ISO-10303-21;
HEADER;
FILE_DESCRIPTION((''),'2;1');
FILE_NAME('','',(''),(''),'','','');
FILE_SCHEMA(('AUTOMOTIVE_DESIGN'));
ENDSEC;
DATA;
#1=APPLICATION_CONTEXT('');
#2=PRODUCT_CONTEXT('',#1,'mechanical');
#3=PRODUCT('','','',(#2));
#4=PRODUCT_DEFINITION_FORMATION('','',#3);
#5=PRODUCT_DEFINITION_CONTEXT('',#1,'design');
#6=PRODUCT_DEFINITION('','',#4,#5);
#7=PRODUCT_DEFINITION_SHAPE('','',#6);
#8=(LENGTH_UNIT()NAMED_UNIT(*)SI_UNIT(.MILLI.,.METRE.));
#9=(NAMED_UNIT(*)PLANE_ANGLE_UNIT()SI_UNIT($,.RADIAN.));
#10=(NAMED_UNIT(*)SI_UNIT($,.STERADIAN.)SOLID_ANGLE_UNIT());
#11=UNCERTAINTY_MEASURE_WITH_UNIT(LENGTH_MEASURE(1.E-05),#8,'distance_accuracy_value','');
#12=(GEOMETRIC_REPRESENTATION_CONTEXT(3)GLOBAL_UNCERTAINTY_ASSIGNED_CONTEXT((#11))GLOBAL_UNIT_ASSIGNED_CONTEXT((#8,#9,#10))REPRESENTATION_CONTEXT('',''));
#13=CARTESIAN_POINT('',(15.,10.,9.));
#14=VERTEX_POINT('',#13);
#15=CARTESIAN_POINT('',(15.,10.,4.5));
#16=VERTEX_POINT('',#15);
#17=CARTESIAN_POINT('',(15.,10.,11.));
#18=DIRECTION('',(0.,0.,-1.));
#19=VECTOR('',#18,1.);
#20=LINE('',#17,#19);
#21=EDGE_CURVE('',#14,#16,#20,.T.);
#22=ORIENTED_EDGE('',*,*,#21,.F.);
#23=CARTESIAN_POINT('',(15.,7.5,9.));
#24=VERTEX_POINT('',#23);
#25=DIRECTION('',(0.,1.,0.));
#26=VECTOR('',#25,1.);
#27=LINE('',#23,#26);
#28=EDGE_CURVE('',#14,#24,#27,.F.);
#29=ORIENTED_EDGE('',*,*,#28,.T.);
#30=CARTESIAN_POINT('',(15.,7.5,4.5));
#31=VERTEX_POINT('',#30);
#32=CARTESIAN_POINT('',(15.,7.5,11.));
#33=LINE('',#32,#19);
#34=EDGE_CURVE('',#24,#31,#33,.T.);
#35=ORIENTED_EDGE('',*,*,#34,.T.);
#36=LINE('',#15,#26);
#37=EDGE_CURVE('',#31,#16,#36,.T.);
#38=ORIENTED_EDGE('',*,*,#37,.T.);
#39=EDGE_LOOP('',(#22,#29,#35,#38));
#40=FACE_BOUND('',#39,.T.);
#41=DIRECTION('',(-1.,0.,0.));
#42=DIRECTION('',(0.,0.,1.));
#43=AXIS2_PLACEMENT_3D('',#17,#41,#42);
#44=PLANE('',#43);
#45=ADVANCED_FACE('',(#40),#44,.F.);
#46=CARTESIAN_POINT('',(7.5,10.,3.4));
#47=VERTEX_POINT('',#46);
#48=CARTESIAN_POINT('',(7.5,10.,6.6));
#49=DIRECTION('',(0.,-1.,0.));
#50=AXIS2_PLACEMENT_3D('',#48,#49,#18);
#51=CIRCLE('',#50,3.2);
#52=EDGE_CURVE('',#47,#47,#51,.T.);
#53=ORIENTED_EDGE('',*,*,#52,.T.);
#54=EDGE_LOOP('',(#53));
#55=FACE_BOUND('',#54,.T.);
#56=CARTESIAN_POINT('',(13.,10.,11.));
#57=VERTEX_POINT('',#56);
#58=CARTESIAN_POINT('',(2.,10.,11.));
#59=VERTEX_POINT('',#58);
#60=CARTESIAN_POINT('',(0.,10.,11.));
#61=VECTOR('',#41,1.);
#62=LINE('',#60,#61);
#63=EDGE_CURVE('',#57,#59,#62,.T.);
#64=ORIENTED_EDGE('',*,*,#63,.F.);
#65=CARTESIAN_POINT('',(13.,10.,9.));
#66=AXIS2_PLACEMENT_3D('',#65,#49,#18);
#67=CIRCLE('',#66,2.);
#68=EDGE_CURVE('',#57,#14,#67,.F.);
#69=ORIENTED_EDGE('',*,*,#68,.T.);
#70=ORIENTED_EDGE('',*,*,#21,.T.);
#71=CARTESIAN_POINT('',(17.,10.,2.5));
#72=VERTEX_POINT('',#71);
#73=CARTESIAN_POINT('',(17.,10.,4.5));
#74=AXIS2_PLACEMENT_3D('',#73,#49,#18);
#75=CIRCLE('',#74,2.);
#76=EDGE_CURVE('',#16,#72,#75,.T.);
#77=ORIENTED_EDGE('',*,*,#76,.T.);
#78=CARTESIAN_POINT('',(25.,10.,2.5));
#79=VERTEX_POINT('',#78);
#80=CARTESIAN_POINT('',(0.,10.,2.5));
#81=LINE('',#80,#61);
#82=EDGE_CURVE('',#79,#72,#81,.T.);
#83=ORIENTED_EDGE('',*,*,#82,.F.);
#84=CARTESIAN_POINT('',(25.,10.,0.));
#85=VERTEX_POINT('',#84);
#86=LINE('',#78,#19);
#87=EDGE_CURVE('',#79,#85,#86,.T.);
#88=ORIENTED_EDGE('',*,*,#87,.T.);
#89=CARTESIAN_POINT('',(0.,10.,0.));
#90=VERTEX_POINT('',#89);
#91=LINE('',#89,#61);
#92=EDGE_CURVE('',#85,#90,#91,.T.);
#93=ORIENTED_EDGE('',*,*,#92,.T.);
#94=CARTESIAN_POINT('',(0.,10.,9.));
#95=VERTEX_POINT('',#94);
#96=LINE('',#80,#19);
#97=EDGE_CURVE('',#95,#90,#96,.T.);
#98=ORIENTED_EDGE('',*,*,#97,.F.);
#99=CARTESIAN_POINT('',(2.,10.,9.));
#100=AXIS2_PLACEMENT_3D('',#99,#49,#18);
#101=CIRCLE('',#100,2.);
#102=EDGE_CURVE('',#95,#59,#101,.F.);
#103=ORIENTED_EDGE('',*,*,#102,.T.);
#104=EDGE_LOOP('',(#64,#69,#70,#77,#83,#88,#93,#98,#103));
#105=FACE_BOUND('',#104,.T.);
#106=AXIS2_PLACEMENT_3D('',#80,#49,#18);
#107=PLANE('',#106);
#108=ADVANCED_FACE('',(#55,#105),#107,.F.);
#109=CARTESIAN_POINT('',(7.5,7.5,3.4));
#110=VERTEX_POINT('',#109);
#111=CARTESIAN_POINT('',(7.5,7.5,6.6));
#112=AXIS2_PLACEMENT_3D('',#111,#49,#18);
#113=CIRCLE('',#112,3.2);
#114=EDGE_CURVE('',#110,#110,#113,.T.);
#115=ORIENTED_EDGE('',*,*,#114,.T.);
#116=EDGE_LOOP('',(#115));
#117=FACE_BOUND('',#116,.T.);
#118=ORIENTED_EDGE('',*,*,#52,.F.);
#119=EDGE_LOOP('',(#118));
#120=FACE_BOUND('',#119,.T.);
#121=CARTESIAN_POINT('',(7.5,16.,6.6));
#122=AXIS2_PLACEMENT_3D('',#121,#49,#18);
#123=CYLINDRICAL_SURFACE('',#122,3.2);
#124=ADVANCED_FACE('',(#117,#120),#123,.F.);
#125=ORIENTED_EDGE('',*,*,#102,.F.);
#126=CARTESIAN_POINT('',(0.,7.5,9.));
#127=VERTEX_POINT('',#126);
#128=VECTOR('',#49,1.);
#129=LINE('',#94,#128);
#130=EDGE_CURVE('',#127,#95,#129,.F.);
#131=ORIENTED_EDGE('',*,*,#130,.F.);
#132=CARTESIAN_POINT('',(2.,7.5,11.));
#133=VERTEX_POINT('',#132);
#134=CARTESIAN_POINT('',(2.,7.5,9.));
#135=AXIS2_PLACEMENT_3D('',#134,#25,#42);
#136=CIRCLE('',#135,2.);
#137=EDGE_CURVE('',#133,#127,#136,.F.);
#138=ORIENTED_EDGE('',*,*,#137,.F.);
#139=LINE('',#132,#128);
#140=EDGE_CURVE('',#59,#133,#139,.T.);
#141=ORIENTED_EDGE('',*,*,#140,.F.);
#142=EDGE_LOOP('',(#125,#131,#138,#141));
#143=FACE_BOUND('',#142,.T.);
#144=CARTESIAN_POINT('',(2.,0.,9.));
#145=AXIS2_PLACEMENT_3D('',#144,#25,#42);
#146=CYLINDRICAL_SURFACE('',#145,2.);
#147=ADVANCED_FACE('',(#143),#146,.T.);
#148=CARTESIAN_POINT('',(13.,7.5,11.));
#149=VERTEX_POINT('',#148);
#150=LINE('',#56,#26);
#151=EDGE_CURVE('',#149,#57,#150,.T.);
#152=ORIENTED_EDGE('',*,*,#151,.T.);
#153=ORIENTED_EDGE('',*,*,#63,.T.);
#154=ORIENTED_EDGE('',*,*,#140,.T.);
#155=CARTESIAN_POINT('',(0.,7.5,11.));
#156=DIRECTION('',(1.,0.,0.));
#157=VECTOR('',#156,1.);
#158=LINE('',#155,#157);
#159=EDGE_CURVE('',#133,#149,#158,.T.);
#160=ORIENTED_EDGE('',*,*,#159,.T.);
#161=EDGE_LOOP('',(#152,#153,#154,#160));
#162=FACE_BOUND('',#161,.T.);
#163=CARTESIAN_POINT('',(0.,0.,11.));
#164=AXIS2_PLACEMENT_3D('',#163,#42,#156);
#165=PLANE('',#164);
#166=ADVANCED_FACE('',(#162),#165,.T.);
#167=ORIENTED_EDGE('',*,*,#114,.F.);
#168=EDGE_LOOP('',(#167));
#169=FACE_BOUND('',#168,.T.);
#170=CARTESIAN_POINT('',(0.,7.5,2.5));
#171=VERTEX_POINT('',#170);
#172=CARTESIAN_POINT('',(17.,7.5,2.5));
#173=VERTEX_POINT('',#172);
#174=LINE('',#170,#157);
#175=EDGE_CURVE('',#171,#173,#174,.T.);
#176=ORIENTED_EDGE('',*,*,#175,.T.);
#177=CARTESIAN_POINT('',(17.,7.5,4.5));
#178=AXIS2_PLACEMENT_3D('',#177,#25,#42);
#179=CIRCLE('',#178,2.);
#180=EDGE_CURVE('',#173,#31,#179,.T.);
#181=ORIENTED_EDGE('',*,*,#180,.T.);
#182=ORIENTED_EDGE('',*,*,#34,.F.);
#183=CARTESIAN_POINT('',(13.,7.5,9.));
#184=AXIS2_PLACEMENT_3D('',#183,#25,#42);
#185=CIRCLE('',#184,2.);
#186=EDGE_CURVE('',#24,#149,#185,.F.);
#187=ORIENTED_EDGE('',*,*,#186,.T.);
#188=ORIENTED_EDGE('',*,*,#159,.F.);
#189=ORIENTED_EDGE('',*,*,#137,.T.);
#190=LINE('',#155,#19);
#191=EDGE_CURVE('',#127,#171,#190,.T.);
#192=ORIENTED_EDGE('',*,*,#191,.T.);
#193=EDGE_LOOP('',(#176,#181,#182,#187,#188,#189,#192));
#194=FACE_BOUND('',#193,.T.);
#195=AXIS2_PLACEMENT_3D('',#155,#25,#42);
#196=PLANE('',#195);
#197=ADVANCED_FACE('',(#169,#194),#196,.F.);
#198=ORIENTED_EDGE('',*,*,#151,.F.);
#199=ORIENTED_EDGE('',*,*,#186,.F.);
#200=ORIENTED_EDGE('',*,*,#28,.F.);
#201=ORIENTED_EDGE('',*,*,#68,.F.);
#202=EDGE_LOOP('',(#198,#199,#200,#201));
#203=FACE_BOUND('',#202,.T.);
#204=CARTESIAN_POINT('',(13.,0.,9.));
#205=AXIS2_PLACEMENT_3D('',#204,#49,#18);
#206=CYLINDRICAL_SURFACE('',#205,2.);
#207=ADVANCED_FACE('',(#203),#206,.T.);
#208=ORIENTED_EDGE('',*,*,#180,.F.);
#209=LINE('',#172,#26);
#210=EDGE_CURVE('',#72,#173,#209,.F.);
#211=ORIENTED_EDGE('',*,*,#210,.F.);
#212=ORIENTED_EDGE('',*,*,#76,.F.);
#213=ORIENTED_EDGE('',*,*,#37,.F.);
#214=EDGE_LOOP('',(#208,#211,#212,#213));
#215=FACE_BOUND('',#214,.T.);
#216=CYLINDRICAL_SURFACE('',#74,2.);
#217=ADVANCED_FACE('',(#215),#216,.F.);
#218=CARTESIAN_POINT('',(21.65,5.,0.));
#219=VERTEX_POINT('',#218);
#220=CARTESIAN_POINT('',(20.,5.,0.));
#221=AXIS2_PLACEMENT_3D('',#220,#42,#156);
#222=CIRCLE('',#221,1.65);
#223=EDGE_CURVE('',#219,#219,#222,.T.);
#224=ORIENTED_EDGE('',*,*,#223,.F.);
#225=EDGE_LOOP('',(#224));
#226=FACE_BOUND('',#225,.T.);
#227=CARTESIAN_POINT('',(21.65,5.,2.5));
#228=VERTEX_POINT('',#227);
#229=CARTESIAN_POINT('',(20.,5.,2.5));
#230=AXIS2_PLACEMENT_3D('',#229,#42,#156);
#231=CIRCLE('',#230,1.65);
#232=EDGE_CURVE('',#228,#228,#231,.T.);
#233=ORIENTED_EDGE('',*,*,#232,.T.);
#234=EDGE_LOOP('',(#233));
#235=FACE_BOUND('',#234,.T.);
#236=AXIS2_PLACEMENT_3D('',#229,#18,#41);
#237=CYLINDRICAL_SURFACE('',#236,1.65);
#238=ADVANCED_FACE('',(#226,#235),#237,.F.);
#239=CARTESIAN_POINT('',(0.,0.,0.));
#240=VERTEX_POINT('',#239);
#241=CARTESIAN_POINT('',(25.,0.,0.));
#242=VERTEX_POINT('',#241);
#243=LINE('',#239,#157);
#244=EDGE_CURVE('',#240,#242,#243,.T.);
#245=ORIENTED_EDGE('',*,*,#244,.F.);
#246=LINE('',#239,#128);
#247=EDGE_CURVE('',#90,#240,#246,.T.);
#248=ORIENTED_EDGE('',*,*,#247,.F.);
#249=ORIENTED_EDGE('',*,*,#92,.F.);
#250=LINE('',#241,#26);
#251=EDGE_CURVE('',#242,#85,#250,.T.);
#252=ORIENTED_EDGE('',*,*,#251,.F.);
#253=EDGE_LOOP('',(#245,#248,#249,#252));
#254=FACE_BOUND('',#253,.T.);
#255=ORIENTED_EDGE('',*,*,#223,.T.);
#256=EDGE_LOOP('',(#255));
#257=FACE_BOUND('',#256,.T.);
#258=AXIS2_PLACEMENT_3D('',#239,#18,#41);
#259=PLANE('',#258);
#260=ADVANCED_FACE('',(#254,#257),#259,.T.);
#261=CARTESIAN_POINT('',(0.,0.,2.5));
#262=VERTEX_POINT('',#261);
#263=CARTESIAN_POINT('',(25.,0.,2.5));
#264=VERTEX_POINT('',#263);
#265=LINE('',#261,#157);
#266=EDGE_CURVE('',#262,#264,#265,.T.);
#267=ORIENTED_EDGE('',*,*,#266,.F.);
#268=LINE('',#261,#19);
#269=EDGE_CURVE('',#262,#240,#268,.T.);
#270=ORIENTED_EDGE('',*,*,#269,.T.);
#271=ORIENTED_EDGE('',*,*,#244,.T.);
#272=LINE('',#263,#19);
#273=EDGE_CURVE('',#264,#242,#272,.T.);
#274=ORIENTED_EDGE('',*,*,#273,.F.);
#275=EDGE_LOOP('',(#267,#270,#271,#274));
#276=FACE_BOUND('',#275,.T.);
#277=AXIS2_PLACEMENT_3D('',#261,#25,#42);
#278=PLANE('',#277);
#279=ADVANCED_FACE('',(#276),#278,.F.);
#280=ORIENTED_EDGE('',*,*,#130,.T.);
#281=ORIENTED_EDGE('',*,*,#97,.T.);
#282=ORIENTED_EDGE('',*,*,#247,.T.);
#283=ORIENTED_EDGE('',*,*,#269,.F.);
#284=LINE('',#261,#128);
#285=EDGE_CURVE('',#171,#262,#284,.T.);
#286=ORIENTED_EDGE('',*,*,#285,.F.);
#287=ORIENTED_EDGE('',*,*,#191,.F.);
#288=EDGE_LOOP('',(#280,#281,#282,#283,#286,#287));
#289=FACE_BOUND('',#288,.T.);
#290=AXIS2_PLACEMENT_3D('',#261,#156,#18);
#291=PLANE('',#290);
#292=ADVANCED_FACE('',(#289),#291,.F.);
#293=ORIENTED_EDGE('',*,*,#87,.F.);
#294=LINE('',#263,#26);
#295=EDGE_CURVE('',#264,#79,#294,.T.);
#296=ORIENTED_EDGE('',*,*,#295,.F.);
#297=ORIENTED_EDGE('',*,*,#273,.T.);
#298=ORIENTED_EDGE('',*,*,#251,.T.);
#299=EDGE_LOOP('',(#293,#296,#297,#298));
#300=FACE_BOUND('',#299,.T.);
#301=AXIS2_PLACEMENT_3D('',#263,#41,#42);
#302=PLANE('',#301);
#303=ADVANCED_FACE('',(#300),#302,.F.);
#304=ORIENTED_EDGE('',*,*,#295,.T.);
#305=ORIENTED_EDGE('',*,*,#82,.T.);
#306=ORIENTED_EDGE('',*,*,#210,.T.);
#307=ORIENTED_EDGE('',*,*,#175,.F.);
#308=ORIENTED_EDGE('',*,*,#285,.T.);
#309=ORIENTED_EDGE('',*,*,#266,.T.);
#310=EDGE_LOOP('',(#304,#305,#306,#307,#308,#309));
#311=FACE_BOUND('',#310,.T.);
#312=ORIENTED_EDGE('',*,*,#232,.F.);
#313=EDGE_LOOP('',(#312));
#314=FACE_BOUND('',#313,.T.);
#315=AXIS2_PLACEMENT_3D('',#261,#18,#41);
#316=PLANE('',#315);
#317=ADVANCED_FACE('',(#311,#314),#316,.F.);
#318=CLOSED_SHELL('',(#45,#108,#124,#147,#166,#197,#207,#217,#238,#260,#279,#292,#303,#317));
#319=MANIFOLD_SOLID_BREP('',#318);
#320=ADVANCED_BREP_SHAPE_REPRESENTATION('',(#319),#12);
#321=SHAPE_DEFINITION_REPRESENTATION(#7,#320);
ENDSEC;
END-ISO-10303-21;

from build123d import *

# Parameters (mm, degrees)
SKIZZE1_W                       = 25
SKIZZE1_H                       = 10
SKIZZE1_R                       = 1.65
AUFSATZ_LINEAR_AUSTRAGEN1_DEPTH = 2.5
SKIZZE2_W                       = 15
SKIZZE2_H                       = 2.5
AUFSATZ_LINEAR_AUSTRAGEN2_DEPTH = 8.5
VERRUNDUNG1_R                   = 2
SKIZZE3_R                       = 3.2
SCHNITT_LINEAR_AUSTRAGEN1_DEPTH = 8.5


with BuildPart() as part:
    # Skizze1 → Aufsatz-Linear austragen1 (new body)
    with BuildSketch(Plane.XY):
        with Locations((12.5, 5)):
            Rectangle(SKIZZE1_W, SKIZZE1_H)
        with Locations((20, 5)):
            Circle(SKIZZE1_R, mode=Mode.SUBTRACT)
    extrude(amount=AUFSATZ_LINEAR_AUSTRAGEN1_DEPTH)

    # Skizze2 → Aufsatz-Linear austragen2 (add)
    with BuildSketch(Plane.XY.offset(2.5)):
        with Locations((7.5, 8.75)):
            Rectangle(SKIZZE2_W, SKIZZE2_H)
    extrude(amount=AUFSATZ_LINEAR_AUSTRAGEN2_DEPTH)

    # Verrundung1
    verrundung1_edges = [part.edges().sort_by_distance(p)[0] for p in [
        (15, 8.75, 2.5),
        (0, 8.75, 11),
        (15, 8.75, 11),
    ]]
    fillet(verrundung1_edges, radius=VERRUNDUNG1_R)

    # Skizze3 → Schnitt-Linear austragen1 (cut)
    with BuildSketch(Plane.XZ.offset(-7.5)):
        with Locations(Location((7.5, 6.6, 0), (0, 0, 270))):
            Circle(SKIZZE3_R)
    extrude(amount=-SCHNITT_LINEAR_AUSTRAGEN1_DEPTH, mode=Mode.SUBTRACT)


solid = part.part
